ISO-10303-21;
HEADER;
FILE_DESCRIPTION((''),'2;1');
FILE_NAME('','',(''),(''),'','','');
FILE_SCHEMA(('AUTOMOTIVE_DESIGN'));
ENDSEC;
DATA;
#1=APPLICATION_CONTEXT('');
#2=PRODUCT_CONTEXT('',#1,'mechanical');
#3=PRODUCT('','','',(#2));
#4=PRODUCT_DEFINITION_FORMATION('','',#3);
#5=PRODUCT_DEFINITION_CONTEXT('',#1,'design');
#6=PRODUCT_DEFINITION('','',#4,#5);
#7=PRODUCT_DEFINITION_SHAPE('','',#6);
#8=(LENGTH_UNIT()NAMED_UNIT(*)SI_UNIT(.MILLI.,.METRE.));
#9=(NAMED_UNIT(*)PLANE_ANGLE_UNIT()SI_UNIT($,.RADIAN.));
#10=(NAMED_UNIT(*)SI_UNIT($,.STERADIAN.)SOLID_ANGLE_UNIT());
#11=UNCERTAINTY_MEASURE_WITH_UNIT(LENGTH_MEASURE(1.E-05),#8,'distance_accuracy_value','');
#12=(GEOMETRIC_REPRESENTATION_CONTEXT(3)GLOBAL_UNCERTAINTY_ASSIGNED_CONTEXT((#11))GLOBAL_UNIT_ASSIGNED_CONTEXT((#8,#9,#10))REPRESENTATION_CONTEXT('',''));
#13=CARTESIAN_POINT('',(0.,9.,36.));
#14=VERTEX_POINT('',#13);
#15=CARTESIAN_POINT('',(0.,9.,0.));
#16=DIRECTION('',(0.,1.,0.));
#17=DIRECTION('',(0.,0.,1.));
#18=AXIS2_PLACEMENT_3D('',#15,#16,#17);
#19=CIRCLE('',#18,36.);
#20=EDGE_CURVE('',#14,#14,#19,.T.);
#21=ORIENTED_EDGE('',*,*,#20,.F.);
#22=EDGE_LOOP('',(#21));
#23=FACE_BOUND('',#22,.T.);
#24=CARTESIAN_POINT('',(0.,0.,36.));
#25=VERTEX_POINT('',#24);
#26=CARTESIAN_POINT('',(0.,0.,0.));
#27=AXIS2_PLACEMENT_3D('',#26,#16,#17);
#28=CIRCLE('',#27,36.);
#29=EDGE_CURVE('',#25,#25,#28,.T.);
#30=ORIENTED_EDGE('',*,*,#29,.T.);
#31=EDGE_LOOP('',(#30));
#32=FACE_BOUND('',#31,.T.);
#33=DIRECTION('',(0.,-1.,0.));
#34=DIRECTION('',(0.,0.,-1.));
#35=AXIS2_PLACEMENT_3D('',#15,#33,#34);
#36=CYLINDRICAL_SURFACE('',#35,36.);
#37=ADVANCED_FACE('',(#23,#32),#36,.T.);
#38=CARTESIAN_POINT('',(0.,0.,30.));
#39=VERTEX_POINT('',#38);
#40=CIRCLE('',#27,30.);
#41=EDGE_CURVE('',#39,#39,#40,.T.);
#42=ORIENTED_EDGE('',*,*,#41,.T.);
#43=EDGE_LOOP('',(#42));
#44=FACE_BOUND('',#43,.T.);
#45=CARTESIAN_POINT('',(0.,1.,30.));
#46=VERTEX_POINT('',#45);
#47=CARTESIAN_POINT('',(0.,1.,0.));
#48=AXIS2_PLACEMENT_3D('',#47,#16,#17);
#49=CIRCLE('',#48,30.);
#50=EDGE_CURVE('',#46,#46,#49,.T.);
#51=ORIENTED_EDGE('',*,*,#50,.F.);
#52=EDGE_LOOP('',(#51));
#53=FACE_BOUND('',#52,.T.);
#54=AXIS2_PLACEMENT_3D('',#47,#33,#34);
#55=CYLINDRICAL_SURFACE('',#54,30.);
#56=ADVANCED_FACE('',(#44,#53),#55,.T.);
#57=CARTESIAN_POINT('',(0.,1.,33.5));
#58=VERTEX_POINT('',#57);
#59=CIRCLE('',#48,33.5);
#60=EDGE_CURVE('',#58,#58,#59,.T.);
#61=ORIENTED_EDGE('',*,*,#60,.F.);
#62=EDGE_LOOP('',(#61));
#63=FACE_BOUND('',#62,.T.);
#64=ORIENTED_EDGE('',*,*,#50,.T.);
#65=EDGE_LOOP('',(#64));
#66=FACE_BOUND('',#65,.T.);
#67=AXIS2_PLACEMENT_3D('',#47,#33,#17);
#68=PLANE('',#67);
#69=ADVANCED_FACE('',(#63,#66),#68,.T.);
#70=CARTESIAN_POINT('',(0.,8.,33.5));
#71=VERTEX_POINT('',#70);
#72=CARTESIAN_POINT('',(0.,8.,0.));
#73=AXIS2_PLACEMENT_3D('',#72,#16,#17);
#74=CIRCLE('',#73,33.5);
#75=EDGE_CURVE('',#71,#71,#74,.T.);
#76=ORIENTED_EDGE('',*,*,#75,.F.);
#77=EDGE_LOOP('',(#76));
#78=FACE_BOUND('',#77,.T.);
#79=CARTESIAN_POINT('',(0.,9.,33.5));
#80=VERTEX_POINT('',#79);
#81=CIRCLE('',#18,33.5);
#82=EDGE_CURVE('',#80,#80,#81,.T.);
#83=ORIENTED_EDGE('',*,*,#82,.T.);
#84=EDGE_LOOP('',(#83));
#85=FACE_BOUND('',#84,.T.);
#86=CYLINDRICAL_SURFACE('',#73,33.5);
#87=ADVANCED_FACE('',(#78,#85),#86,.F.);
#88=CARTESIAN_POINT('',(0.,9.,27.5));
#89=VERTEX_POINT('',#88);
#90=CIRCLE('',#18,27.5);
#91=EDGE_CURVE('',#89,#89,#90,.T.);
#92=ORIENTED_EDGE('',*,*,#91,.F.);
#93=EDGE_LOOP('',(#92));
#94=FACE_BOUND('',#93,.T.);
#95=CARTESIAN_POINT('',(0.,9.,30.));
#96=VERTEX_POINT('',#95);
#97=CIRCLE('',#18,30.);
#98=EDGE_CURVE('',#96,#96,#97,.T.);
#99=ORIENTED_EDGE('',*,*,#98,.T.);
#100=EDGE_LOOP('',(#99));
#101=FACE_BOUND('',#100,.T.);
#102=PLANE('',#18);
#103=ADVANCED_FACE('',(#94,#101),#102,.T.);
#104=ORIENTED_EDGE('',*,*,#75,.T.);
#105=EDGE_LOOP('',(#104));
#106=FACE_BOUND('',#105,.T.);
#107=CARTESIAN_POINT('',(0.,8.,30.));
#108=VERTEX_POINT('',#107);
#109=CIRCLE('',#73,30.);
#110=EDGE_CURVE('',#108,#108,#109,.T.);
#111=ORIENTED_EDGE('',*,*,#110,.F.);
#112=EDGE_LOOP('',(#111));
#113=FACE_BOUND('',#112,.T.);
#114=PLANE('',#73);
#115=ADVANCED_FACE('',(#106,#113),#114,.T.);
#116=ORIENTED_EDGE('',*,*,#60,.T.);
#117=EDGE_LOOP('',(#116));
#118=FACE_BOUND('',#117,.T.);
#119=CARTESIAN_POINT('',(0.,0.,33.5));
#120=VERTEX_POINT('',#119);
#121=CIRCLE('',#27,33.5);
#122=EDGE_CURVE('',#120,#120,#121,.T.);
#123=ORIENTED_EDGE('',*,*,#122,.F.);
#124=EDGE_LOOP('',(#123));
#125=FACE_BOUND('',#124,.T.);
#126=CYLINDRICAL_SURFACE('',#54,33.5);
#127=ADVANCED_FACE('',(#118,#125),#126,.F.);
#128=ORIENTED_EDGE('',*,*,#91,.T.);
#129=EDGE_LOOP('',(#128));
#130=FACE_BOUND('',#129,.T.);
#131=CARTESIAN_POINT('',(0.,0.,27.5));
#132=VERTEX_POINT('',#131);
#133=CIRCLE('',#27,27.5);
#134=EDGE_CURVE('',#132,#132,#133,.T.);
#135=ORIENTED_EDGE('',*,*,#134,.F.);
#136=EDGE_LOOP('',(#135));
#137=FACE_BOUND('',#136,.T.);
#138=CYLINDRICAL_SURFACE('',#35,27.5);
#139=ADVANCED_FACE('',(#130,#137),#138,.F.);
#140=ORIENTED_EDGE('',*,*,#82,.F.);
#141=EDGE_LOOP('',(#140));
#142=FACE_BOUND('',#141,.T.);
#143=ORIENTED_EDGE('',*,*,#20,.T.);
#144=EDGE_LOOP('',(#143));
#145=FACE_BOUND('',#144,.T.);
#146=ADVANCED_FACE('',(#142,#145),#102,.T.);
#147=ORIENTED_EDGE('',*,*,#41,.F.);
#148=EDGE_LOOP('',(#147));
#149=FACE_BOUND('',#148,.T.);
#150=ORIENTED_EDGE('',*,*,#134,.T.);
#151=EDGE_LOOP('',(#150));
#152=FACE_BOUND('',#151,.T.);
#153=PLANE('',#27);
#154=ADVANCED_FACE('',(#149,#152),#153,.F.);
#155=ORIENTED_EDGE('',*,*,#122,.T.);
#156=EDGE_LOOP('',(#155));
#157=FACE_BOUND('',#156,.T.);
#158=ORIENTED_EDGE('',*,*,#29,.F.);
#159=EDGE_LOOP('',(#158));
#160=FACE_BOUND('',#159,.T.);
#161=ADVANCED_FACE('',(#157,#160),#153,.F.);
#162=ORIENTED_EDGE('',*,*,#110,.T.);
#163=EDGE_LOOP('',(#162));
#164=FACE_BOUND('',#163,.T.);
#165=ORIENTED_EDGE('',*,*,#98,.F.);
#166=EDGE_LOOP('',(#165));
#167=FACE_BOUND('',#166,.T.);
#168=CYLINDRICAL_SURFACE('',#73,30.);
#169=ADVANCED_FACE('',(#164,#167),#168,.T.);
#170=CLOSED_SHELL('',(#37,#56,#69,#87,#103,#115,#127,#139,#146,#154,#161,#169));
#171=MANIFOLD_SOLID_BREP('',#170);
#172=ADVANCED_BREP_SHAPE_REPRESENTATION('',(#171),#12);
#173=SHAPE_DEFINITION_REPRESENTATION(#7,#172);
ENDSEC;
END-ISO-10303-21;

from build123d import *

# Parameters (mm, degrees)
SKETCH1_R           = 36
SKETCH1_R_2         = 27.5
BOSS_EXTRUDE1_DEPTH = 9
SKETCH2_R           = 33.5
SKETCH2_R_2         = 30
CUT_EXTRUDE1_DEPTH  = 1


with BuildPart() as part:
    # Sketch1 → Boss-Extrude1 (new body)
    with BuildSketch(Plane(origin=(0, 0, 0), x_dir=(1, 0, 0), z_dir=(0, 1, 0))):
        with Locations(Location((0, 0, 0), (0, 0, 270))):
            Circle(SKETCH1_R)
        with Locations(Location((0, 0, 0), (0, 0, 270))):
            Circle(SKETCH1_R_2, mode=Mode.SUBTRACT)
    extrude(amount=BOSS_EXTRUDE1_DEPTH)

    # Sketch2 → Cut-Extrude1 (cut)
    with BuildSketch(Plane(origin=(0, 9, 0), x_dir=(1, 0, 0), z_dir=(0, 1, 0))):
        with Locations(Location((0, 0, 0), (0, 0, 270))):
            Circle(SKETCH2_R)
        with Locations(Location((0, 0, 0), (0, 0, 270))):
            Circle(SKETCH2_R_2, mode=Mode.SUBTRACT)
    cut_extrude1 = extrude(amount=-CUT_EXTRUDE1_DEPTH, mode=Mode.SUBTRACT)

    # Mirror1: Cut-Extrude1 across plane
    add(cut_extrude1.mirror(Plane.ZX.offset(4.5)), mode=Mode.SUBTRACT)


solid = part.part
